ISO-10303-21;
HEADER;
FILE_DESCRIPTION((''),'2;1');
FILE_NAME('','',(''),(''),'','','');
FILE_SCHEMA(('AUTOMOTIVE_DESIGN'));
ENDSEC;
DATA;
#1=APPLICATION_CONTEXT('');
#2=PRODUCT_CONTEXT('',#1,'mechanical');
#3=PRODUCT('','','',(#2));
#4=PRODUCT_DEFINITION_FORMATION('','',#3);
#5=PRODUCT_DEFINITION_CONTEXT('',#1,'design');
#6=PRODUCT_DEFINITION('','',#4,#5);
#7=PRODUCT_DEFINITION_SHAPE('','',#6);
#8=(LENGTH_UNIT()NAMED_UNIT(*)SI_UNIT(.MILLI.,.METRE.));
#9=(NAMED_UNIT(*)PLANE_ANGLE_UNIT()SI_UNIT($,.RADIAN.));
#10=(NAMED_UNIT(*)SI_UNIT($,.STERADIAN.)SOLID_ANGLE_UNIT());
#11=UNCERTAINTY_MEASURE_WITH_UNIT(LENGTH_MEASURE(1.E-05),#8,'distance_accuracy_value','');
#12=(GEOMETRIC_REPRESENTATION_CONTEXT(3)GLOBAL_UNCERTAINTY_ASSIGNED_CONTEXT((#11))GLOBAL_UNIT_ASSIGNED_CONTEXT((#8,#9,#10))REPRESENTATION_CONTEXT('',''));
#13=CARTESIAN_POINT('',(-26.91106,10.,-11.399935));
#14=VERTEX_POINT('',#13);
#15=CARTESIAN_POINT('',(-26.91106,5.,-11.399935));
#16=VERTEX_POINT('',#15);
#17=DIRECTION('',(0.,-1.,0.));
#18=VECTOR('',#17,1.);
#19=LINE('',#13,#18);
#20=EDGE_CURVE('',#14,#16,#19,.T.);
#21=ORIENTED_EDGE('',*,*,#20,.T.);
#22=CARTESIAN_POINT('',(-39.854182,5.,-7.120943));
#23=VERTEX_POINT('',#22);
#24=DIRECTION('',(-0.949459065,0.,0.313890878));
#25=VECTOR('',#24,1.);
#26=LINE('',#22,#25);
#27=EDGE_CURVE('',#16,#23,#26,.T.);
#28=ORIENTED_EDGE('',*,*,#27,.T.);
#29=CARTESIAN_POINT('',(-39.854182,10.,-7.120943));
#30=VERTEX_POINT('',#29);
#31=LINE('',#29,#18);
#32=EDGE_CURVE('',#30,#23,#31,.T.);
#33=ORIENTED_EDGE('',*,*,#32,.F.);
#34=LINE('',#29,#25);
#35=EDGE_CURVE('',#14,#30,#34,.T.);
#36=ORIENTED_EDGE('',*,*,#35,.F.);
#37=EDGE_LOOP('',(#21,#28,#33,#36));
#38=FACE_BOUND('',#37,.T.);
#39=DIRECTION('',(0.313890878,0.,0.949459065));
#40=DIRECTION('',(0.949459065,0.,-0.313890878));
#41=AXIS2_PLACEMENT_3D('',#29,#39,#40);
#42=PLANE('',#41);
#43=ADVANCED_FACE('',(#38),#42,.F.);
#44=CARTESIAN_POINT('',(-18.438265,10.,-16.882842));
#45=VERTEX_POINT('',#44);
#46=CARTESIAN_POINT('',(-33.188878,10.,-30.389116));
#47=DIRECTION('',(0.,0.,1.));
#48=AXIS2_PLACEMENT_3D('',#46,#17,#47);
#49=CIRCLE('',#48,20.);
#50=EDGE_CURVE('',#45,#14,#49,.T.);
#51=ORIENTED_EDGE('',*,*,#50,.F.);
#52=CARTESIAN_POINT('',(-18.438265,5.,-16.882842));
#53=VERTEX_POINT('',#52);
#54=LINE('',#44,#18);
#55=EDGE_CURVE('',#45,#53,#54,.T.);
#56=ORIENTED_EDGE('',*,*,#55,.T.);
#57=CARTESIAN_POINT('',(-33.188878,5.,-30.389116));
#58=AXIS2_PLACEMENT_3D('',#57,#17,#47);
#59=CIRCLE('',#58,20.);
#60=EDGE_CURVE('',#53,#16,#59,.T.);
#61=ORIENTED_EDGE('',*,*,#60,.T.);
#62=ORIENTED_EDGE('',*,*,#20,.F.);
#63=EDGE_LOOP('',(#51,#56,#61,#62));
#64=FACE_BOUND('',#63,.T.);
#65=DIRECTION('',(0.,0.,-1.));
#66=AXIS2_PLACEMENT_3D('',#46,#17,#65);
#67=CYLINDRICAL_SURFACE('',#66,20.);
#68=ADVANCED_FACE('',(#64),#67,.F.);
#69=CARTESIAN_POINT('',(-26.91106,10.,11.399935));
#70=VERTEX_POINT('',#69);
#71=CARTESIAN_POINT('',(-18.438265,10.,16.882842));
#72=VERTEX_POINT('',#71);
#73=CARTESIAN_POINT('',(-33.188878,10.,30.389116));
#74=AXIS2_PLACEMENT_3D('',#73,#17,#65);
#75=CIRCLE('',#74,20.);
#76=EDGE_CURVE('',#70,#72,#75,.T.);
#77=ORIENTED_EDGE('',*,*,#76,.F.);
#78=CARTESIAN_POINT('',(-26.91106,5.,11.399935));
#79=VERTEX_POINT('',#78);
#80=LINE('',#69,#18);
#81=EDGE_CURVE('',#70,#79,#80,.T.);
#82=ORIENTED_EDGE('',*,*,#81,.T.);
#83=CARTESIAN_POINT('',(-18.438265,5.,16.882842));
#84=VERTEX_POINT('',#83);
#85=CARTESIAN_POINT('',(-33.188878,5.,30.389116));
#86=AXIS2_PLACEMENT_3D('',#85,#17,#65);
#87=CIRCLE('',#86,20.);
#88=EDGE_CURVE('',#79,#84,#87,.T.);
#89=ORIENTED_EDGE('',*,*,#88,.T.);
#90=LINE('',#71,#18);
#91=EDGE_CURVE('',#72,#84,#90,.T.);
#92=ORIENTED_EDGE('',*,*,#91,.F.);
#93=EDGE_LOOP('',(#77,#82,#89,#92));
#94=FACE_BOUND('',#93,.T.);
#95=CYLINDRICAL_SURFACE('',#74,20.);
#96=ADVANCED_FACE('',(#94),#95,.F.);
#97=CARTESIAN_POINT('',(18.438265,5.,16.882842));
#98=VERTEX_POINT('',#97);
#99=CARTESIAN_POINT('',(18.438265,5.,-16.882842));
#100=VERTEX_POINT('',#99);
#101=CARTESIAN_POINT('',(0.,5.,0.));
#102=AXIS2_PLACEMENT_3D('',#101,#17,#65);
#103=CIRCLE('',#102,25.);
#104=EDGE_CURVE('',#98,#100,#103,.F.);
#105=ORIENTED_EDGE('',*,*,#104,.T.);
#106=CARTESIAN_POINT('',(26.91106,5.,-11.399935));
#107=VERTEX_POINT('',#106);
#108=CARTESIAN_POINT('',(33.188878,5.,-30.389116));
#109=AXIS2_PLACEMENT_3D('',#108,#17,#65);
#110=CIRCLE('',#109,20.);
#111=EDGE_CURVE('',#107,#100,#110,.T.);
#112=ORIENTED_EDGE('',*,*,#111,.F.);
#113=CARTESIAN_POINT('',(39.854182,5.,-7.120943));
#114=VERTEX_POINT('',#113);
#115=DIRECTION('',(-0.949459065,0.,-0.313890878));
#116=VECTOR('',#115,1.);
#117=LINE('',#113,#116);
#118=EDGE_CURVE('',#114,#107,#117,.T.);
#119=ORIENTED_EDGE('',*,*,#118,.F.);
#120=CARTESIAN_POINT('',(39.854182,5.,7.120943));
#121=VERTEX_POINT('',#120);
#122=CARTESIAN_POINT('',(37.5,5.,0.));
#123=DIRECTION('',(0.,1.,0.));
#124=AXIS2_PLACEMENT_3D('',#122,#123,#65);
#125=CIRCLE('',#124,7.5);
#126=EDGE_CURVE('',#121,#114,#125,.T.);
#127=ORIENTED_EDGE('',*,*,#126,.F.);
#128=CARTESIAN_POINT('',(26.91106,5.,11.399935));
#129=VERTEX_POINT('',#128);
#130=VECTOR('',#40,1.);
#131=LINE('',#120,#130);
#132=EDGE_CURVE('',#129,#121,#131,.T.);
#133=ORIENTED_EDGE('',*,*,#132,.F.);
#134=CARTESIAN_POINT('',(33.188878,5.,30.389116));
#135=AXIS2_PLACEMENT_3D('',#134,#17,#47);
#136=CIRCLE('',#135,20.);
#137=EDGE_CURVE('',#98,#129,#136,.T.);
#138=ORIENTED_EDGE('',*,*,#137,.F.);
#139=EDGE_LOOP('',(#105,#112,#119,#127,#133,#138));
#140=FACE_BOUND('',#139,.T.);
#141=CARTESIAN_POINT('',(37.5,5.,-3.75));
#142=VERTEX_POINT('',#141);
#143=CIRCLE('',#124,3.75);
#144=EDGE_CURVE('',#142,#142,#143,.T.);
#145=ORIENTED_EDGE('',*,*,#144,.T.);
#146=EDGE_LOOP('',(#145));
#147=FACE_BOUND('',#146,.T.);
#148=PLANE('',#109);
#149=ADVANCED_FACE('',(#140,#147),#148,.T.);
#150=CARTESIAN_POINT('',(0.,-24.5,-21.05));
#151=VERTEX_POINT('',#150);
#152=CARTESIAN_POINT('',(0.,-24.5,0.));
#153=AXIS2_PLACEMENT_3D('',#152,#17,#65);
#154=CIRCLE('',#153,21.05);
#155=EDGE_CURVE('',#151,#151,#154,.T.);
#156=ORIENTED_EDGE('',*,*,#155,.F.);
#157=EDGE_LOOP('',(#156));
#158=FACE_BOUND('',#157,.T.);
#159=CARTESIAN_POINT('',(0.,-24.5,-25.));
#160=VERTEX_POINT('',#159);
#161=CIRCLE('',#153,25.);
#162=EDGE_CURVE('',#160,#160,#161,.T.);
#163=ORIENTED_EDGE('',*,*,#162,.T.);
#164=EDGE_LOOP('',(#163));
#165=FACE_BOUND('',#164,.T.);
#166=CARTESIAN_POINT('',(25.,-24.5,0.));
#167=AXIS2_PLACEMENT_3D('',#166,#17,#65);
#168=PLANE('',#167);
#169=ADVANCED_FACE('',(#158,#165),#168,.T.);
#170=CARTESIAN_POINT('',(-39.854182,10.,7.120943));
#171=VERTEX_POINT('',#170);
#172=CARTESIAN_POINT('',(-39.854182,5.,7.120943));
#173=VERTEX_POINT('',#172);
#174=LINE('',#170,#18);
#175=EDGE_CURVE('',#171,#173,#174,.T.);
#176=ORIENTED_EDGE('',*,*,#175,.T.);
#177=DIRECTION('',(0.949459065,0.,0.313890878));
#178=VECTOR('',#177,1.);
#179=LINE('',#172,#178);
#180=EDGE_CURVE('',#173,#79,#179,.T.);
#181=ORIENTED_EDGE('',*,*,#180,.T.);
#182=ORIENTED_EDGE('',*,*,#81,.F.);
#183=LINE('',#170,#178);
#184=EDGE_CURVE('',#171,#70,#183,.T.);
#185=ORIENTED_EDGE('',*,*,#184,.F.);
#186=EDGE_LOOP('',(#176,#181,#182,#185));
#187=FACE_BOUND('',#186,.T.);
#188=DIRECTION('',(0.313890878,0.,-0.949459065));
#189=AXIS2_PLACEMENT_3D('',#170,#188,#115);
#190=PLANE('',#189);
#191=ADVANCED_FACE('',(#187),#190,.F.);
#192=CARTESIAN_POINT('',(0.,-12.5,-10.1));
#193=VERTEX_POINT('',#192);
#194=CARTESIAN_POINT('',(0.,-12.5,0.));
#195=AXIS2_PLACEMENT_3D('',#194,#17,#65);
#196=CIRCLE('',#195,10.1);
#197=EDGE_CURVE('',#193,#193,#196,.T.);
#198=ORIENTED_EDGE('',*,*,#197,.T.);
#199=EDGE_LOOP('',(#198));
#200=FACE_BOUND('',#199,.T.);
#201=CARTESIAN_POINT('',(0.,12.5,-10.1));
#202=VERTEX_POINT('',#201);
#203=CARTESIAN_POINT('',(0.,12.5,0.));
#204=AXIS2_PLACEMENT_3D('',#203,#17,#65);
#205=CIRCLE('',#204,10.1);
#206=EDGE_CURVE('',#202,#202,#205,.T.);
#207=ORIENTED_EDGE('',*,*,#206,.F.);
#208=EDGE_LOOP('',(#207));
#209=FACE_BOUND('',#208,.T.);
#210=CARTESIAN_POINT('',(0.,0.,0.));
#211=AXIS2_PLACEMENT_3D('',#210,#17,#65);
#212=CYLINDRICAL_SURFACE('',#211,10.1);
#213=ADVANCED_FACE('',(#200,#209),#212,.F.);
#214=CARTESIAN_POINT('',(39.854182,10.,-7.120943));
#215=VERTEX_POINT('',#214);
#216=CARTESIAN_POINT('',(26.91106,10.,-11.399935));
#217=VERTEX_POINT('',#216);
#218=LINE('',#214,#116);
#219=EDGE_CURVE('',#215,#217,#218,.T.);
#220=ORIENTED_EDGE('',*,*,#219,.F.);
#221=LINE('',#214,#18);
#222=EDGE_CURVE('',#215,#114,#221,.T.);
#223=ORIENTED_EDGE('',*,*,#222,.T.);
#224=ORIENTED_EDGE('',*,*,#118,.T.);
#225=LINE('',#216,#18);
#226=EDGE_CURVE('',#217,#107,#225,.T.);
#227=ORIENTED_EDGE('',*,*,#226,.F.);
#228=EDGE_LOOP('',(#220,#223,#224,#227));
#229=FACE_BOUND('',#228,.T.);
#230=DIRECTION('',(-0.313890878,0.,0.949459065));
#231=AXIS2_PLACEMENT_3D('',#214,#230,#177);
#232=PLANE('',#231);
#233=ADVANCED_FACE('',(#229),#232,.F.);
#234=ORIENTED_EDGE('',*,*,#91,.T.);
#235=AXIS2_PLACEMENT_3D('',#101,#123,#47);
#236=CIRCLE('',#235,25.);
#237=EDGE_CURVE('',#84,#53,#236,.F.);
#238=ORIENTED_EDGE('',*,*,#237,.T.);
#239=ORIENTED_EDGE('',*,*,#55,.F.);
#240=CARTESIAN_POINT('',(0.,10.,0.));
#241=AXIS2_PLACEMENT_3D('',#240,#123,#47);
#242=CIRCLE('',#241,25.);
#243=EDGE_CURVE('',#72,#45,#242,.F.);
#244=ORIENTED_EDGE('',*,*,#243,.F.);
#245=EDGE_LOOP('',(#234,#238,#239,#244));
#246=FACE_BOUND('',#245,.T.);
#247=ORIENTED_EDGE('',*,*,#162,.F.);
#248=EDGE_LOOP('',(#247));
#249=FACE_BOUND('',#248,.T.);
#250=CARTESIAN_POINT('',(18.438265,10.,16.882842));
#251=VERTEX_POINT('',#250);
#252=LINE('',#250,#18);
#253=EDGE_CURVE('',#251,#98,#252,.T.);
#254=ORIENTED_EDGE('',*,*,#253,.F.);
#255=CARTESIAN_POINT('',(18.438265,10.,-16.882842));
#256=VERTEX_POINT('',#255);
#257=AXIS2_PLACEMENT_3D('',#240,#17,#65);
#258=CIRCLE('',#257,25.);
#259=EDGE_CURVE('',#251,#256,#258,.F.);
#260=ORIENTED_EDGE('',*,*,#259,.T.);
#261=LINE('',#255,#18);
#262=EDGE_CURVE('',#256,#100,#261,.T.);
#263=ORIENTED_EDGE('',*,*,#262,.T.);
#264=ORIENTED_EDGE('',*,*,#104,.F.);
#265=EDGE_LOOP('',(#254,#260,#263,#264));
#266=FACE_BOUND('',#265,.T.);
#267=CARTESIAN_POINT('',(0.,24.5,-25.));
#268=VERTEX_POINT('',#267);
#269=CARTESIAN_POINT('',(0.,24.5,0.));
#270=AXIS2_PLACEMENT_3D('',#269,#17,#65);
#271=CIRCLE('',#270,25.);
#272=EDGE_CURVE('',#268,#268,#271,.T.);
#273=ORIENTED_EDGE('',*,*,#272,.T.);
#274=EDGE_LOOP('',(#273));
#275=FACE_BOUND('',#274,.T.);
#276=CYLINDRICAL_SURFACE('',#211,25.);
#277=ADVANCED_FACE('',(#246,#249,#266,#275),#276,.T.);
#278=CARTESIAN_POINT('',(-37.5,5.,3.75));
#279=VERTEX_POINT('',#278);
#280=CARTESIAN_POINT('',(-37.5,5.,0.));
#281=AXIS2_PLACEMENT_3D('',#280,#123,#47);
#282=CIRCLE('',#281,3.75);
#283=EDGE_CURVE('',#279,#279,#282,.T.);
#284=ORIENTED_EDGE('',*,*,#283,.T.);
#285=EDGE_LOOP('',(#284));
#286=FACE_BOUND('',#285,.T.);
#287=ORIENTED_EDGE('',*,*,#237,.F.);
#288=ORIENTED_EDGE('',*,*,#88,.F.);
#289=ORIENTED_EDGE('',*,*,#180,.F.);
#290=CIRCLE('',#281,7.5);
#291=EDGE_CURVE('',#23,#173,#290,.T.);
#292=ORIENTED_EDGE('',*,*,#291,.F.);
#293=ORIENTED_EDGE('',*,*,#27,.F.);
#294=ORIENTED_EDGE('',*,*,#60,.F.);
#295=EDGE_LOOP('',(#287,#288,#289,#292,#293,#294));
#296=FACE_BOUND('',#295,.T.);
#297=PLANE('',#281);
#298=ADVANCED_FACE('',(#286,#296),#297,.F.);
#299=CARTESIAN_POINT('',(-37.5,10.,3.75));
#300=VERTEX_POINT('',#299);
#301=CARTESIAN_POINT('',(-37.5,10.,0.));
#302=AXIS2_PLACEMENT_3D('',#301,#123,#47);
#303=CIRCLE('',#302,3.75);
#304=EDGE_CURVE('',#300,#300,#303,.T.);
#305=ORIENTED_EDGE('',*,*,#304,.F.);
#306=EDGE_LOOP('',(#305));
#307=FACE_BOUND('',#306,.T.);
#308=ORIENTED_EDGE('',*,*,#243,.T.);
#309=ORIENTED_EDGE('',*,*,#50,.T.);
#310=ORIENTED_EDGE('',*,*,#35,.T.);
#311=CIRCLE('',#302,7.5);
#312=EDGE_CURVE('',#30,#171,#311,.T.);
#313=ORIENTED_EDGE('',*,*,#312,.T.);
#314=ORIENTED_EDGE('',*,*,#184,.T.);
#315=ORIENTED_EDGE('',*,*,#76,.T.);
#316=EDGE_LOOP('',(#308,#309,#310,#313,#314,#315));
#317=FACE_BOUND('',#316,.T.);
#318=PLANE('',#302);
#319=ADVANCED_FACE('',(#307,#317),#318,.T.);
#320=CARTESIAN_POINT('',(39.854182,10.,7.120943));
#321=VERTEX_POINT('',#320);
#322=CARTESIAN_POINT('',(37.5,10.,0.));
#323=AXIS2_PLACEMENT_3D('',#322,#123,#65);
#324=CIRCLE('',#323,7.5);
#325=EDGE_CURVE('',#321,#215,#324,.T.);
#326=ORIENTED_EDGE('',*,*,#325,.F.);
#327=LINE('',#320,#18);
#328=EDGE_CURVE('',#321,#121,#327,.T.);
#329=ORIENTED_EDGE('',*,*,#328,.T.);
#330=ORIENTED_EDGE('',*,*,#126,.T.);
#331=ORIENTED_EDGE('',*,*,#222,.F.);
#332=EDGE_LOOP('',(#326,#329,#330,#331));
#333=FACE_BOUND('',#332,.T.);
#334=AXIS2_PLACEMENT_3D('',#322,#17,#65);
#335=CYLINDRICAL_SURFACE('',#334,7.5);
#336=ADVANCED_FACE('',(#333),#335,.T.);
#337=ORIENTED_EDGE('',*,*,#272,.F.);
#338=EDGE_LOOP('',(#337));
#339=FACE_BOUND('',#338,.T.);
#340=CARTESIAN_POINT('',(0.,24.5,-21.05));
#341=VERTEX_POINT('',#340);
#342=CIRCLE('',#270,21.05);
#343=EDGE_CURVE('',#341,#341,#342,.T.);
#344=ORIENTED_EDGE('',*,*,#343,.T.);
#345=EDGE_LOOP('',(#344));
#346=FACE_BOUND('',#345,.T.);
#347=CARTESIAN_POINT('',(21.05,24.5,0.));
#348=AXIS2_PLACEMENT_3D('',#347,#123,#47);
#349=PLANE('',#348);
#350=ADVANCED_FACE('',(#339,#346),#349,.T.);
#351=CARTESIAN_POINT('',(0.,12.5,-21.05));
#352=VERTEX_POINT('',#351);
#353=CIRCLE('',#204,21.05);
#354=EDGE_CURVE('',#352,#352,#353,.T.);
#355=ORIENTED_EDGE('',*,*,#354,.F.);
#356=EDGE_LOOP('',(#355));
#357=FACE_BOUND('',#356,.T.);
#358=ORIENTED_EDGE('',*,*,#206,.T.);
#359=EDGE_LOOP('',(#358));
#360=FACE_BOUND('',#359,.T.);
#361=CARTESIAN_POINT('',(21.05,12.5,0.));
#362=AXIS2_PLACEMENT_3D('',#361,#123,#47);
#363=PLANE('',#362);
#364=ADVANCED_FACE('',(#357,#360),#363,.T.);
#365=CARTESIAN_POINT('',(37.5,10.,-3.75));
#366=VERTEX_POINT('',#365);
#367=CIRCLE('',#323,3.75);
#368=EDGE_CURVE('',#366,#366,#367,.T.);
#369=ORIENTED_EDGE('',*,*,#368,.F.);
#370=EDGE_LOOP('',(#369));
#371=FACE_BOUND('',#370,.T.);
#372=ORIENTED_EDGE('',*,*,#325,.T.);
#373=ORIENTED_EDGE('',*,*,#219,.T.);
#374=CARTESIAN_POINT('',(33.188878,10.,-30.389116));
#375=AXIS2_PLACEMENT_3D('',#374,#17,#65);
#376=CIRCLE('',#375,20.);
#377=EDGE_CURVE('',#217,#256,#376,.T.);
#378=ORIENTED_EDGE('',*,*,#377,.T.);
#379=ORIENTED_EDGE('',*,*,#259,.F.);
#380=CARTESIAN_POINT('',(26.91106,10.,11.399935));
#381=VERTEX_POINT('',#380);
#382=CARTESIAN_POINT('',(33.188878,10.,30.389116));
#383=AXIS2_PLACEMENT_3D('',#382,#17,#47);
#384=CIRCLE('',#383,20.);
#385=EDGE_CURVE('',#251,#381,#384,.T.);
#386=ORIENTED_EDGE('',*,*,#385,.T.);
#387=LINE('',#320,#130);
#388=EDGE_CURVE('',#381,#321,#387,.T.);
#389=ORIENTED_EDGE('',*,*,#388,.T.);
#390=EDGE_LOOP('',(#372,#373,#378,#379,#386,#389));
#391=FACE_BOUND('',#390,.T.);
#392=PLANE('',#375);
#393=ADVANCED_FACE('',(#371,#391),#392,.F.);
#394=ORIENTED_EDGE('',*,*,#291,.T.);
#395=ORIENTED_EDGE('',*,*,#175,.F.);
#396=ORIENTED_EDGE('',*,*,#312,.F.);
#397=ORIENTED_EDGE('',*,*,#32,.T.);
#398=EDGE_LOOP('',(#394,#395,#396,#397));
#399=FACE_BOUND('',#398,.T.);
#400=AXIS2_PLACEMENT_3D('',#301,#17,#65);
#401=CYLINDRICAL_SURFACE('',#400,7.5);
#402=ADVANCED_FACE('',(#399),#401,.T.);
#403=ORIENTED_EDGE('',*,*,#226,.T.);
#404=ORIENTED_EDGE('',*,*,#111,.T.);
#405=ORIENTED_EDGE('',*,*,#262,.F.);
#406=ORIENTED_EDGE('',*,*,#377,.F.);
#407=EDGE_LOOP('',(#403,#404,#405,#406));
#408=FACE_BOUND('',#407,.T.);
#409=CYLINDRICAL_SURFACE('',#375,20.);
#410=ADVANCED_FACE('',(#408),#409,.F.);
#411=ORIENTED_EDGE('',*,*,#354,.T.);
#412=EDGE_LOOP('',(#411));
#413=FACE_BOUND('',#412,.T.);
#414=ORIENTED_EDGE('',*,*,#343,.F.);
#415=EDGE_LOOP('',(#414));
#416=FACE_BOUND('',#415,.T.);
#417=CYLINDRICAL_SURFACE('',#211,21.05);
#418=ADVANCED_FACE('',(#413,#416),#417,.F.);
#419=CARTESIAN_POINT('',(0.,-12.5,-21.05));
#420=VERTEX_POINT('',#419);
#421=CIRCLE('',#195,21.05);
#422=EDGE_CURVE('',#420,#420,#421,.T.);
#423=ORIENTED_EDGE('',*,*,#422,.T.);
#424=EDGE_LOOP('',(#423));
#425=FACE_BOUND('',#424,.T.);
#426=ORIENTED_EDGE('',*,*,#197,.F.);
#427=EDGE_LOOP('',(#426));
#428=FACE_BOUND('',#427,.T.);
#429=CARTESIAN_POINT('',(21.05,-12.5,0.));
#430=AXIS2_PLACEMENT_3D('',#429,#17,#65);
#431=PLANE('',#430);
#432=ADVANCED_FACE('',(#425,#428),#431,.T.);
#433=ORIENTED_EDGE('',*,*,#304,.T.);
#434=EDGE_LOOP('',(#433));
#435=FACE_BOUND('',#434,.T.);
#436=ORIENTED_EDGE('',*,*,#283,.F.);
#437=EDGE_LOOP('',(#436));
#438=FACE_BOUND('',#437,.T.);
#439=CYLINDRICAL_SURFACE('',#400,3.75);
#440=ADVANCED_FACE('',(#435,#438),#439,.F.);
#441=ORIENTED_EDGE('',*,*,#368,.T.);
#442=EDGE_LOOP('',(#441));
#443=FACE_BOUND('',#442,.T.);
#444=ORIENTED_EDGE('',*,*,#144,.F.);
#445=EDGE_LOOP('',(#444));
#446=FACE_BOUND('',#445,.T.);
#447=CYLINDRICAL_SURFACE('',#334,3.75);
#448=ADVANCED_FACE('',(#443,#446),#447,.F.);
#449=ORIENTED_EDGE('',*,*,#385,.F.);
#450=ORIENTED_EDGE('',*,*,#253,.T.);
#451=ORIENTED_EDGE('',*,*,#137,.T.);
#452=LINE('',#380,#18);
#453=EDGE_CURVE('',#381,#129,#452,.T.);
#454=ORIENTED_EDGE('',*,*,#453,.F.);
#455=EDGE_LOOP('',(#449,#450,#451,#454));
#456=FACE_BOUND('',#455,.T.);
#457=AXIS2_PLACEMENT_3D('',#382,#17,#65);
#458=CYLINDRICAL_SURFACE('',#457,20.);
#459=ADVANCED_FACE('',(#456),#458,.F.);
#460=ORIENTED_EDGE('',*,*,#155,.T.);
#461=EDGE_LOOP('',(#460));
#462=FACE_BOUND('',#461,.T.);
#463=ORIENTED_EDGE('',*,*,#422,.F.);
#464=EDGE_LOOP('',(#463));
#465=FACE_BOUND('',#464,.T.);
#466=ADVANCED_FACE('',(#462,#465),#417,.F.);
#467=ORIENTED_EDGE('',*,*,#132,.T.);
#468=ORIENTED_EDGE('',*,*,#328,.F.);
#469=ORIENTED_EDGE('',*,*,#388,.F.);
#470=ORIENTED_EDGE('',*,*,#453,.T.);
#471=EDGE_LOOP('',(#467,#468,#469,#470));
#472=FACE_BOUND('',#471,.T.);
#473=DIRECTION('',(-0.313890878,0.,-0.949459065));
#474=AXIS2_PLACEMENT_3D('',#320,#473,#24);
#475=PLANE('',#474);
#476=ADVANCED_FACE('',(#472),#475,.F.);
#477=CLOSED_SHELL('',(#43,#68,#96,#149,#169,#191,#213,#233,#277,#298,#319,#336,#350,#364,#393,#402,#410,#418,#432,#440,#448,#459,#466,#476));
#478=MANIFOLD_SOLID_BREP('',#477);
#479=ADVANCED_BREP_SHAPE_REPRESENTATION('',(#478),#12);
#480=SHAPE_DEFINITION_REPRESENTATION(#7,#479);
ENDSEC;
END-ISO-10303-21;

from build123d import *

# Parameters (mm, degrees)
BOSS_EXTRUDE1_START = 5
SKETCH2_R           = 3.75
BOSS_EXTRUDE1_DEPTH = 5


with BuildPart() as part:
    # Sketch1 → Revolve1 (revolve)
    with BuildSketch(Plane.XY, mode=Mode.PRIVATE) as revolve1_sk:
        Polygon((21.05, 24.5), (25, 24.5), (25, -24.5), (21.05, -24.5), (21.05, -12.5), (10.1, -12.5), (10.1, 12.5), (21.05, 12.5), align=None)
    revolve(revolve1_sk.sketch.rotate(Axis((0, 0, 0), (0, 1, 0)), 90), axis=Axis((0, 0, 0), (0, 1, 0)))

    # Sketch2 → Boss-Extrude1 (add)
    # profile 1 of 2: a face of its own
    with BuildSketch(Plane(origin=(0, 0, 0), x_dir=(1, 0, 0), z_dir=(0, 1, 0)).offset(BOSS_EXTRUDE1_START)):
        with BuildLine():
            Line((-39.854181584, 7.12094299), (-26.911060299, 11.399934945))
            ThreePointArc((-26.911060299, 11.399934945), (-22.323138818, 13.598174791), (-18.438265476, 16.882842362))
            Line((-18.438265476, 16.882842362), (-18.438265476, -16.882842362))
            ThreePointArc((-18.438265476, -16.882842362), (-22.323138818, -13.598174791), (-26.911060299, -11.399934945))
            Line((-26.911060299, -11.399934945), (-39.854181584, -7.12094299))
            ThreePointArc((-39.854181584, -7.12094299), (-45, 0), (-39.854181584, 7.12094299))
        make_face()
        with Locations(Location((-37.5, 0, 0), (0, 0, 270))):
            Circle(SKETCH2_R, mode=Mode.SUBTRACT)
    # profile 2 of 2: a face of its own
    with BuildSketch(Plane(origin=(0, 0, 0), x_dir=(1, 0, 0), z_dir=(0, 1, 0)).offset(BOSS_EXTRUDE1_START)):
        with BuildLine():
            Line((18.438265476, 16.882842362), (18.438265476, -16.882842362))
            ThreePointArc((18.438265476, -16.882842362), (22.323138818, -13.598174791), (26.911060299, -11.399934945))
            Line((26.911060299, -11.399934945), (39.854181584, -7.12094299))
            ThreePointArc((39.854181584, -7.12094299), (45, 0), (39.854181584, 7.12094299))
            Line((39.854181584, 7.12094299), (26.911060299, 11.399934945))
            ThreePointArc((26.911060299, 11.399934945), (22.323138818, 13.598174791), (18.438265476, 16.882842362))
        make_face()
        with Locations(Location((37.5, 0, 0), (0, 0, 90))):
            Circle(SKETCH2_R, mode=Mode.SUBTRACT)
    extrude(amount=BOSS_EXTRUDE1_DEPTH)


solid = part.part
